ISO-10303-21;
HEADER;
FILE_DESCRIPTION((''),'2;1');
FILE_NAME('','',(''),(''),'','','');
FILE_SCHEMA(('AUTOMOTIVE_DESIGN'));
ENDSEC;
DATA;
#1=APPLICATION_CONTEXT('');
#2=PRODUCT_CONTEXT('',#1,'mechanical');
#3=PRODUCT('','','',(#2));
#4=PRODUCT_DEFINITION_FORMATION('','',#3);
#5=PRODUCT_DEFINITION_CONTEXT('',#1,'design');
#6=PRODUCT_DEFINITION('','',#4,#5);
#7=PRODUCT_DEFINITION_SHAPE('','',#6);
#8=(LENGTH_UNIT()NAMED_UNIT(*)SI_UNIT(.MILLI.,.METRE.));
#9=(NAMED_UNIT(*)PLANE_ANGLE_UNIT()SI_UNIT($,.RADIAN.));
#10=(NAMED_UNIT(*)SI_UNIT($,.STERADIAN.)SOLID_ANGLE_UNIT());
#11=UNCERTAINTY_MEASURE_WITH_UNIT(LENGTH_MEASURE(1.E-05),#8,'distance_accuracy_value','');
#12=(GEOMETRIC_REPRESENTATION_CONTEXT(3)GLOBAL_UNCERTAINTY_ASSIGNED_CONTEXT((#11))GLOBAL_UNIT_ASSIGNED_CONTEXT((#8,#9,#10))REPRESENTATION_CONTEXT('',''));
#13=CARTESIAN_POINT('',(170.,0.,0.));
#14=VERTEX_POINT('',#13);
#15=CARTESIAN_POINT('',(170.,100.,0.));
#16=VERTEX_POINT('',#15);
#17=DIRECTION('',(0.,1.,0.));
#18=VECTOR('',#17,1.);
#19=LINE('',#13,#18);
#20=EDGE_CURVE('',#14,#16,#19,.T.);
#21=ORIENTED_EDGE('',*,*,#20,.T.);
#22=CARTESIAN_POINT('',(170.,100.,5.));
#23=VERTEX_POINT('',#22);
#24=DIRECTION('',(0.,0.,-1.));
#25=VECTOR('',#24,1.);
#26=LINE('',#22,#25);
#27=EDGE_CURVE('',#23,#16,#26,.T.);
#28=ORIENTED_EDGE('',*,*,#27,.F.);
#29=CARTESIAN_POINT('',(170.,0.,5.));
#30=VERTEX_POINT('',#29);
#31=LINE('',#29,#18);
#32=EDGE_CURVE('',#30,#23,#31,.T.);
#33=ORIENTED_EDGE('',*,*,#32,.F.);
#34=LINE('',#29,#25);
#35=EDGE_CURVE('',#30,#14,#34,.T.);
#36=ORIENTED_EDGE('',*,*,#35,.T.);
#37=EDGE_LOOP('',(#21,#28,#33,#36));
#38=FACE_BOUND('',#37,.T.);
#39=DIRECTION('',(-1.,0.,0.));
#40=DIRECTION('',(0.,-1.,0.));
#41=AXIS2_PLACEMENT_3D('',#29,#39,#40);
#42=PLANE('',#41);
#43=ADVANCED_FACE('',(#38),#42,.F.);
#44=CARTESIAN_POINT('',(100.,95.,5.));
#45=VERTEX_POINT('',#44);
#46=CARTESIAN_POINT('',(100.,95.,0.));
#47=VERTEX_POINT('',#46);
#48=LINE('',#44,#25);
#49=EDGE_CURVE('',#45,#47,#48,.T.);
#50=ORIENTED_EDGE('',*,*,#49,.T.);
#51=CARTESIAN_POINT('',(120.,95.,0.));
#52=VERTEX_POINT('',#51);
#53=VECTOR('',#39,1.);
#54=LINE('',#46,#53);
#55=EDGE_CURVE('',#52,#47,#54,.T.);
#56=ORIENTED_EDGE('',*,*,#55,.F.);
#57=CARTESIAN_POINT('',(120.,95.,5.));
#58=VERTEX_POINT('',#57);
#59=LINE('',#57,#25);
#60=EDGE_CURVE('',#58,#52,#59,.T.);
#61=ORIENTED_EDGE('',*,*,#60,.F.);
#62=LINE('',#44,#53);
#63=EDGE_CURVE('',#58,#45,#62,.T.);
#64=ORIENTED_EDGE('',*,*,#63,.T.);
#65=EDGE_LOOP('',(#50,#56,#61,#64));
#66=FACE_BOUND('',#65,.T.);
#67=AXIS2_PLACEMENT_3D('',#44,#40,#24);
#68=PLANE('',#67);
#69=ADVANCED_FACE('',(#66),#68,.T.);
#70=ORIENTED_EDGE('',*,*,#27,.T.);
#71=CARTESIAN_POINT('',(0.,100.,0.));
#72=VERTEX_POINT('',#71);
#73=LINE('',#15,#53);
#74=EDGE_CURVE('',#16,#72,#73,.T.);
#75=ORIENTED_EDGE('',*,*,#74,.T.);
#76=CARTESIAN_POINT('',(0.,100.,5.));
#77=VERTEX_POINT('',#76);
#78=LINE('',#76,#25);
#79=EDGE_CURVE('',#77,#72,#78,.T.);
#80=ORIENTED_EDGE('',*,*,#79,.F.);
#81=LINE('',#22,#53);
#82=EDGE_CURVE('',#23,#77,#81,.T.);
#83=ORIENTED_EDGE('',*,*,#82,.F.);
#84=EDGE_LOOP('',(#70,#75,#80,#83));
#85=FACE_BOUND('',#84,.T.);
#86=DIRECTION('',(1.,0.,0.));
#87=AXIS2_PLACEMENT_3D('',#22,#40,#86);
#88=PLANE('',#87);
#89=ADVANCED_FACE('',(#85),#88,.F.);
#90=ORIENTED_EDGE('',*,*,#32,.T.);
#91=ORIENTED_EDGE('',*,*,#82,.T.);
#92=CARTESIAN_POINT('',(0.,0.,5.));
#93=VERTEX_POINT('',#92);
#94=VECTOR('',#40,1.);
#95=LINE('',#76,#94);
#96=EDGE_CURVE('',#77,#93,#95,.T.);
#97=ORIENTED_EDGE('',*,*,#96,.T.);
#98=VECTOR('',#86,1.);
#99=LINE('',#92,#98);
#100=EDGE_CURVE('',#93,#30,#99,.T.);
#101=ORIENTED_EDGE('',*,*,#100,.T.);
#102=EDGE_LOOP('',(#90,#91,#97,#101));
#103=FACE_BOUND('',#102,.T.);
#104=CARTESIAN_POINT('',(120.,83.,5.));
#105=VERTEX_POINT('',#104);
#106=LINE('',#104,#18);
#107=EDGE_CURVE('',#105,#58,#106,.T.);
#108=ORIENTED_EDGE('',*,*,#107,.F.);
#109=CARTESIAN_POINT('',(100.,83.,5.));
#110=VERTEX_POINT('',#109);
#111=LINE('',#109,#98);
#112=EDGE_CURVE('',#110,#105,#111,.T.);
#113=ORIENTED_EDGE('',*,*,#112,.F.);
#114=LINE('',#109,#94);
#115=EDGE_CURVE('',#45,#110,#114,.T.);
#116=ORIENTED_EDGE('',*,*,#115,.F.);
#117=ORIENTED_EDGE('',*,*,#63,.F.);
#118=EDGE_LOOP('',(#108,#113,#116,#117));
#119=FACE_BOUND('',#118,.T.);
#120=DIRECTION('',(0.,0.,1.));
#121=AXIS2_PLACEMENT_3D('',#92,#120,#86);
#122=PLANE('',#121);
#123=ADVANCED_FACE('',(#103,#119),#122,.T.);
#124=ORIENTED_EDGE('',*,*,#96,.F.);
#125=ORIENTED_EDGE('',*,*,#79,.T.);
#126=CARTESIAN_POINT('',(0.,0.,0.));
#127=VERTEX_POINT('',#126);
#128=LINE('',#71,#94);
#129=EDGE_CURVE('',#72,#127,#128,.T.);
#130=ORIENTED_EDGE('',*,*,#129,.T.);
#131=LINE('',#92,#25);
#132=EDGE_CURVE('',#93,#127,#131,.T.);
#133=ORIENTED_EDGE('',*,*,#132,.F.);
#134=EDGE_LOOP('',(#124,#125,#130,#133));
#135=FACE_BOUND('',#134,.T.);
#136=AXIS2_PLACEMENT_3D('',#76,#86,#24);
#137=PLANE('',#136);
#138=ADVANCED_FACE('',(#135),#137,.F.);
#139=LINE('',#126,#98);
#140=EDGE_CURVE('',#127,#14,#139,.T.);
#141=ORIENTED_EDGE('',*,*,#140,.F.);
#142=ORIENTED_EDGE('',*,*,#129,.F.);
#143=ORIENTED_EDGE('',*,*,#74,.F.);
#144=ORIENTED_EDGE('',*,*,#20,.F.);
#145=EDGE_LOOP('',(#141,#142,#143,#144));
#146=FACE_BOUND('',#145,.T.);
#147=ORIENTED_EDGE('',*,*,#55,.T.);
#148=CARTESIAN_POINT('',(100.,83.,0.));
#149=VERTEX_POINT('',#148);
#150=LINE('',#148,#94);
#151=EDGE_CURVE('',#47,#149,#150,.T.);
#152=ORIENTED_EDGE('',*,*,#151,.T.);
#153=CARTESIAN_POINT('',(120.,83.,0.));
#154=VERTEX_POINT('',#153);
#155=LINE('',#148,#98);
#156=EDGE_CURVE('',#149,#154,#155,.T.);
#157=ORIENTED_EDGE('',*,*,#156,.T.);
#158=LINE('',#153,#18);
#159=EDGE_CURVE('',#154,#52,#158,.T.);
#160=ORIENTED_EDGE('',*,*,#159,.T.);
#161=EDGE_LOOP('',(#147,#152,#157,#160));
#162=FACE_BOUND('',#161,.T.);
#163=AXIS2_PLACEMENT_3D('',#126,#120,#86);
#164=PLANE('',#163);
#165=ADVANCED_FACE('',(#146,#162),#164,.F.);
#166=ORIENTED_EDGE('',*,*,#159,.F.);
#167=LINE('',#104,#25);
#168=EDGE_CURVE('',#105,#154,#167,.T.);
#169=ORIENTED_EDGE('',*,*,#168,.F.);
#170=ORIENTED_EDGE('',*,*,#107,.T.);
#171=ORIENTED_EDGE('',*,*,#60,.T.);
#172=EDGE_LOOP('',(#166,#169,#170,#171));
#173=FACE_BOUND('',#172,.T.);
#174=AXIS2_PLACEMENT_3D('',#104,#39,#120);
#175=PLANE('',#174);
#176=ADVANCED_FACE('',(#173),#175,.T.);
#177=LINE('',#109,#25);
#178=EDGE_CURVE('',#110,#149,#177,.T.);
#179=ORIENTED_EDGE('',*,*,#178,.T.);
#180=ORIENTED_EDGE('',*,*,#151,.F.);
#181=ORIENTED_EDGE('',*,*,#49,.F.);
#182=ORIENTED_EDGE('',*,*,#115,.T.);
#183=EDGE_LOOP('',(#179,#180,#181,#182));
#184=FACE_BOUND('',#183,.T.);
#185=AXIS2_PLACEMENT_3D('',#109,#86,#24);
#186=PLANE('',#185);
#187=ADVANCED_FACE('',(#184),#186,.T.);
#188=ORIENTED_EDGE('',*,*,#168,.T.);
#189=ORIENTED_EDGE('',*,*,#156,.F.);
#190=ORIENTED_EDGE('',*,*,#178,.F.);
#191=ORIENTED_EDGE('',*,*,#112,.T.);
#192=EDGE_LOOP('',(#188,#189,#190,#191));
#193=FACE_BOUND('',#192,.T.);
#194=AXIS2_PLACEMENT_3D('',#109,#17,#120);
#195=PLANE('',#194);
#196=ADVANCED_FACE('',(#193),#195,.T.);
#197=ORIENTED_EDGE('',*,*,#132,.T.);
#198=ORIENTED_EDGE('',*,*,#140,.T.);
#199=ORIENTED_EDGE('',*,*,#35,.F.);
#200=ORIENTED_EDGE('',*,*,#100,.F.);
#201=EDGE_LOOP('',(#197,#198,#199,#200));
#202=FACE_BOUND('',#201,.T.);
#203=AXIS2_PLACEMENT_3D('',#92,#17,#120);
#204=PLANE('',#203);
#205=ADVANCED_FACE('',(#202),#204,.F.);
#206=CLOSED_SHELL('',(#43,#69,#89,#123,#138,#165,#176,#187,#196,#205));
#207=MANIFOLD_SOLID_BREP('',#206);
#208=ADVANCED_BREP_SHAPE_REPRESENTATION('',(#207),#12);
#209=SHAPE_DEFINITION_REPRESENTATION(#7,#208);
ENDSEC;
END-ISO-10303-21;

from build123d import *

# Parameters (mm, degrees)
SKETCH_1_W      = 170
SKETCH_1_H      = 100
SKETCH_1_W_2    = 20
SKETCH_1_H_2    = 12
EXTRUDE_1_DEPTH = 5


with BuildPart() as part:
    # Эскиз1 → Бобышка-Вытянуть1 (new body)
    with BuildSketch(Plane.XY):
        with Locations((85, 50)):
            Rectangle(SKETCH_1_W, SKETCH_1_H)
        with Locations((110, 89)):
            Rectangle(SKETCH_1_W_2, SKETCH_1_H_2, mode=Mode.SUBTRACT)
    extrude(amount=EXTRUDE_1_DEPTH)


solid = part.part
